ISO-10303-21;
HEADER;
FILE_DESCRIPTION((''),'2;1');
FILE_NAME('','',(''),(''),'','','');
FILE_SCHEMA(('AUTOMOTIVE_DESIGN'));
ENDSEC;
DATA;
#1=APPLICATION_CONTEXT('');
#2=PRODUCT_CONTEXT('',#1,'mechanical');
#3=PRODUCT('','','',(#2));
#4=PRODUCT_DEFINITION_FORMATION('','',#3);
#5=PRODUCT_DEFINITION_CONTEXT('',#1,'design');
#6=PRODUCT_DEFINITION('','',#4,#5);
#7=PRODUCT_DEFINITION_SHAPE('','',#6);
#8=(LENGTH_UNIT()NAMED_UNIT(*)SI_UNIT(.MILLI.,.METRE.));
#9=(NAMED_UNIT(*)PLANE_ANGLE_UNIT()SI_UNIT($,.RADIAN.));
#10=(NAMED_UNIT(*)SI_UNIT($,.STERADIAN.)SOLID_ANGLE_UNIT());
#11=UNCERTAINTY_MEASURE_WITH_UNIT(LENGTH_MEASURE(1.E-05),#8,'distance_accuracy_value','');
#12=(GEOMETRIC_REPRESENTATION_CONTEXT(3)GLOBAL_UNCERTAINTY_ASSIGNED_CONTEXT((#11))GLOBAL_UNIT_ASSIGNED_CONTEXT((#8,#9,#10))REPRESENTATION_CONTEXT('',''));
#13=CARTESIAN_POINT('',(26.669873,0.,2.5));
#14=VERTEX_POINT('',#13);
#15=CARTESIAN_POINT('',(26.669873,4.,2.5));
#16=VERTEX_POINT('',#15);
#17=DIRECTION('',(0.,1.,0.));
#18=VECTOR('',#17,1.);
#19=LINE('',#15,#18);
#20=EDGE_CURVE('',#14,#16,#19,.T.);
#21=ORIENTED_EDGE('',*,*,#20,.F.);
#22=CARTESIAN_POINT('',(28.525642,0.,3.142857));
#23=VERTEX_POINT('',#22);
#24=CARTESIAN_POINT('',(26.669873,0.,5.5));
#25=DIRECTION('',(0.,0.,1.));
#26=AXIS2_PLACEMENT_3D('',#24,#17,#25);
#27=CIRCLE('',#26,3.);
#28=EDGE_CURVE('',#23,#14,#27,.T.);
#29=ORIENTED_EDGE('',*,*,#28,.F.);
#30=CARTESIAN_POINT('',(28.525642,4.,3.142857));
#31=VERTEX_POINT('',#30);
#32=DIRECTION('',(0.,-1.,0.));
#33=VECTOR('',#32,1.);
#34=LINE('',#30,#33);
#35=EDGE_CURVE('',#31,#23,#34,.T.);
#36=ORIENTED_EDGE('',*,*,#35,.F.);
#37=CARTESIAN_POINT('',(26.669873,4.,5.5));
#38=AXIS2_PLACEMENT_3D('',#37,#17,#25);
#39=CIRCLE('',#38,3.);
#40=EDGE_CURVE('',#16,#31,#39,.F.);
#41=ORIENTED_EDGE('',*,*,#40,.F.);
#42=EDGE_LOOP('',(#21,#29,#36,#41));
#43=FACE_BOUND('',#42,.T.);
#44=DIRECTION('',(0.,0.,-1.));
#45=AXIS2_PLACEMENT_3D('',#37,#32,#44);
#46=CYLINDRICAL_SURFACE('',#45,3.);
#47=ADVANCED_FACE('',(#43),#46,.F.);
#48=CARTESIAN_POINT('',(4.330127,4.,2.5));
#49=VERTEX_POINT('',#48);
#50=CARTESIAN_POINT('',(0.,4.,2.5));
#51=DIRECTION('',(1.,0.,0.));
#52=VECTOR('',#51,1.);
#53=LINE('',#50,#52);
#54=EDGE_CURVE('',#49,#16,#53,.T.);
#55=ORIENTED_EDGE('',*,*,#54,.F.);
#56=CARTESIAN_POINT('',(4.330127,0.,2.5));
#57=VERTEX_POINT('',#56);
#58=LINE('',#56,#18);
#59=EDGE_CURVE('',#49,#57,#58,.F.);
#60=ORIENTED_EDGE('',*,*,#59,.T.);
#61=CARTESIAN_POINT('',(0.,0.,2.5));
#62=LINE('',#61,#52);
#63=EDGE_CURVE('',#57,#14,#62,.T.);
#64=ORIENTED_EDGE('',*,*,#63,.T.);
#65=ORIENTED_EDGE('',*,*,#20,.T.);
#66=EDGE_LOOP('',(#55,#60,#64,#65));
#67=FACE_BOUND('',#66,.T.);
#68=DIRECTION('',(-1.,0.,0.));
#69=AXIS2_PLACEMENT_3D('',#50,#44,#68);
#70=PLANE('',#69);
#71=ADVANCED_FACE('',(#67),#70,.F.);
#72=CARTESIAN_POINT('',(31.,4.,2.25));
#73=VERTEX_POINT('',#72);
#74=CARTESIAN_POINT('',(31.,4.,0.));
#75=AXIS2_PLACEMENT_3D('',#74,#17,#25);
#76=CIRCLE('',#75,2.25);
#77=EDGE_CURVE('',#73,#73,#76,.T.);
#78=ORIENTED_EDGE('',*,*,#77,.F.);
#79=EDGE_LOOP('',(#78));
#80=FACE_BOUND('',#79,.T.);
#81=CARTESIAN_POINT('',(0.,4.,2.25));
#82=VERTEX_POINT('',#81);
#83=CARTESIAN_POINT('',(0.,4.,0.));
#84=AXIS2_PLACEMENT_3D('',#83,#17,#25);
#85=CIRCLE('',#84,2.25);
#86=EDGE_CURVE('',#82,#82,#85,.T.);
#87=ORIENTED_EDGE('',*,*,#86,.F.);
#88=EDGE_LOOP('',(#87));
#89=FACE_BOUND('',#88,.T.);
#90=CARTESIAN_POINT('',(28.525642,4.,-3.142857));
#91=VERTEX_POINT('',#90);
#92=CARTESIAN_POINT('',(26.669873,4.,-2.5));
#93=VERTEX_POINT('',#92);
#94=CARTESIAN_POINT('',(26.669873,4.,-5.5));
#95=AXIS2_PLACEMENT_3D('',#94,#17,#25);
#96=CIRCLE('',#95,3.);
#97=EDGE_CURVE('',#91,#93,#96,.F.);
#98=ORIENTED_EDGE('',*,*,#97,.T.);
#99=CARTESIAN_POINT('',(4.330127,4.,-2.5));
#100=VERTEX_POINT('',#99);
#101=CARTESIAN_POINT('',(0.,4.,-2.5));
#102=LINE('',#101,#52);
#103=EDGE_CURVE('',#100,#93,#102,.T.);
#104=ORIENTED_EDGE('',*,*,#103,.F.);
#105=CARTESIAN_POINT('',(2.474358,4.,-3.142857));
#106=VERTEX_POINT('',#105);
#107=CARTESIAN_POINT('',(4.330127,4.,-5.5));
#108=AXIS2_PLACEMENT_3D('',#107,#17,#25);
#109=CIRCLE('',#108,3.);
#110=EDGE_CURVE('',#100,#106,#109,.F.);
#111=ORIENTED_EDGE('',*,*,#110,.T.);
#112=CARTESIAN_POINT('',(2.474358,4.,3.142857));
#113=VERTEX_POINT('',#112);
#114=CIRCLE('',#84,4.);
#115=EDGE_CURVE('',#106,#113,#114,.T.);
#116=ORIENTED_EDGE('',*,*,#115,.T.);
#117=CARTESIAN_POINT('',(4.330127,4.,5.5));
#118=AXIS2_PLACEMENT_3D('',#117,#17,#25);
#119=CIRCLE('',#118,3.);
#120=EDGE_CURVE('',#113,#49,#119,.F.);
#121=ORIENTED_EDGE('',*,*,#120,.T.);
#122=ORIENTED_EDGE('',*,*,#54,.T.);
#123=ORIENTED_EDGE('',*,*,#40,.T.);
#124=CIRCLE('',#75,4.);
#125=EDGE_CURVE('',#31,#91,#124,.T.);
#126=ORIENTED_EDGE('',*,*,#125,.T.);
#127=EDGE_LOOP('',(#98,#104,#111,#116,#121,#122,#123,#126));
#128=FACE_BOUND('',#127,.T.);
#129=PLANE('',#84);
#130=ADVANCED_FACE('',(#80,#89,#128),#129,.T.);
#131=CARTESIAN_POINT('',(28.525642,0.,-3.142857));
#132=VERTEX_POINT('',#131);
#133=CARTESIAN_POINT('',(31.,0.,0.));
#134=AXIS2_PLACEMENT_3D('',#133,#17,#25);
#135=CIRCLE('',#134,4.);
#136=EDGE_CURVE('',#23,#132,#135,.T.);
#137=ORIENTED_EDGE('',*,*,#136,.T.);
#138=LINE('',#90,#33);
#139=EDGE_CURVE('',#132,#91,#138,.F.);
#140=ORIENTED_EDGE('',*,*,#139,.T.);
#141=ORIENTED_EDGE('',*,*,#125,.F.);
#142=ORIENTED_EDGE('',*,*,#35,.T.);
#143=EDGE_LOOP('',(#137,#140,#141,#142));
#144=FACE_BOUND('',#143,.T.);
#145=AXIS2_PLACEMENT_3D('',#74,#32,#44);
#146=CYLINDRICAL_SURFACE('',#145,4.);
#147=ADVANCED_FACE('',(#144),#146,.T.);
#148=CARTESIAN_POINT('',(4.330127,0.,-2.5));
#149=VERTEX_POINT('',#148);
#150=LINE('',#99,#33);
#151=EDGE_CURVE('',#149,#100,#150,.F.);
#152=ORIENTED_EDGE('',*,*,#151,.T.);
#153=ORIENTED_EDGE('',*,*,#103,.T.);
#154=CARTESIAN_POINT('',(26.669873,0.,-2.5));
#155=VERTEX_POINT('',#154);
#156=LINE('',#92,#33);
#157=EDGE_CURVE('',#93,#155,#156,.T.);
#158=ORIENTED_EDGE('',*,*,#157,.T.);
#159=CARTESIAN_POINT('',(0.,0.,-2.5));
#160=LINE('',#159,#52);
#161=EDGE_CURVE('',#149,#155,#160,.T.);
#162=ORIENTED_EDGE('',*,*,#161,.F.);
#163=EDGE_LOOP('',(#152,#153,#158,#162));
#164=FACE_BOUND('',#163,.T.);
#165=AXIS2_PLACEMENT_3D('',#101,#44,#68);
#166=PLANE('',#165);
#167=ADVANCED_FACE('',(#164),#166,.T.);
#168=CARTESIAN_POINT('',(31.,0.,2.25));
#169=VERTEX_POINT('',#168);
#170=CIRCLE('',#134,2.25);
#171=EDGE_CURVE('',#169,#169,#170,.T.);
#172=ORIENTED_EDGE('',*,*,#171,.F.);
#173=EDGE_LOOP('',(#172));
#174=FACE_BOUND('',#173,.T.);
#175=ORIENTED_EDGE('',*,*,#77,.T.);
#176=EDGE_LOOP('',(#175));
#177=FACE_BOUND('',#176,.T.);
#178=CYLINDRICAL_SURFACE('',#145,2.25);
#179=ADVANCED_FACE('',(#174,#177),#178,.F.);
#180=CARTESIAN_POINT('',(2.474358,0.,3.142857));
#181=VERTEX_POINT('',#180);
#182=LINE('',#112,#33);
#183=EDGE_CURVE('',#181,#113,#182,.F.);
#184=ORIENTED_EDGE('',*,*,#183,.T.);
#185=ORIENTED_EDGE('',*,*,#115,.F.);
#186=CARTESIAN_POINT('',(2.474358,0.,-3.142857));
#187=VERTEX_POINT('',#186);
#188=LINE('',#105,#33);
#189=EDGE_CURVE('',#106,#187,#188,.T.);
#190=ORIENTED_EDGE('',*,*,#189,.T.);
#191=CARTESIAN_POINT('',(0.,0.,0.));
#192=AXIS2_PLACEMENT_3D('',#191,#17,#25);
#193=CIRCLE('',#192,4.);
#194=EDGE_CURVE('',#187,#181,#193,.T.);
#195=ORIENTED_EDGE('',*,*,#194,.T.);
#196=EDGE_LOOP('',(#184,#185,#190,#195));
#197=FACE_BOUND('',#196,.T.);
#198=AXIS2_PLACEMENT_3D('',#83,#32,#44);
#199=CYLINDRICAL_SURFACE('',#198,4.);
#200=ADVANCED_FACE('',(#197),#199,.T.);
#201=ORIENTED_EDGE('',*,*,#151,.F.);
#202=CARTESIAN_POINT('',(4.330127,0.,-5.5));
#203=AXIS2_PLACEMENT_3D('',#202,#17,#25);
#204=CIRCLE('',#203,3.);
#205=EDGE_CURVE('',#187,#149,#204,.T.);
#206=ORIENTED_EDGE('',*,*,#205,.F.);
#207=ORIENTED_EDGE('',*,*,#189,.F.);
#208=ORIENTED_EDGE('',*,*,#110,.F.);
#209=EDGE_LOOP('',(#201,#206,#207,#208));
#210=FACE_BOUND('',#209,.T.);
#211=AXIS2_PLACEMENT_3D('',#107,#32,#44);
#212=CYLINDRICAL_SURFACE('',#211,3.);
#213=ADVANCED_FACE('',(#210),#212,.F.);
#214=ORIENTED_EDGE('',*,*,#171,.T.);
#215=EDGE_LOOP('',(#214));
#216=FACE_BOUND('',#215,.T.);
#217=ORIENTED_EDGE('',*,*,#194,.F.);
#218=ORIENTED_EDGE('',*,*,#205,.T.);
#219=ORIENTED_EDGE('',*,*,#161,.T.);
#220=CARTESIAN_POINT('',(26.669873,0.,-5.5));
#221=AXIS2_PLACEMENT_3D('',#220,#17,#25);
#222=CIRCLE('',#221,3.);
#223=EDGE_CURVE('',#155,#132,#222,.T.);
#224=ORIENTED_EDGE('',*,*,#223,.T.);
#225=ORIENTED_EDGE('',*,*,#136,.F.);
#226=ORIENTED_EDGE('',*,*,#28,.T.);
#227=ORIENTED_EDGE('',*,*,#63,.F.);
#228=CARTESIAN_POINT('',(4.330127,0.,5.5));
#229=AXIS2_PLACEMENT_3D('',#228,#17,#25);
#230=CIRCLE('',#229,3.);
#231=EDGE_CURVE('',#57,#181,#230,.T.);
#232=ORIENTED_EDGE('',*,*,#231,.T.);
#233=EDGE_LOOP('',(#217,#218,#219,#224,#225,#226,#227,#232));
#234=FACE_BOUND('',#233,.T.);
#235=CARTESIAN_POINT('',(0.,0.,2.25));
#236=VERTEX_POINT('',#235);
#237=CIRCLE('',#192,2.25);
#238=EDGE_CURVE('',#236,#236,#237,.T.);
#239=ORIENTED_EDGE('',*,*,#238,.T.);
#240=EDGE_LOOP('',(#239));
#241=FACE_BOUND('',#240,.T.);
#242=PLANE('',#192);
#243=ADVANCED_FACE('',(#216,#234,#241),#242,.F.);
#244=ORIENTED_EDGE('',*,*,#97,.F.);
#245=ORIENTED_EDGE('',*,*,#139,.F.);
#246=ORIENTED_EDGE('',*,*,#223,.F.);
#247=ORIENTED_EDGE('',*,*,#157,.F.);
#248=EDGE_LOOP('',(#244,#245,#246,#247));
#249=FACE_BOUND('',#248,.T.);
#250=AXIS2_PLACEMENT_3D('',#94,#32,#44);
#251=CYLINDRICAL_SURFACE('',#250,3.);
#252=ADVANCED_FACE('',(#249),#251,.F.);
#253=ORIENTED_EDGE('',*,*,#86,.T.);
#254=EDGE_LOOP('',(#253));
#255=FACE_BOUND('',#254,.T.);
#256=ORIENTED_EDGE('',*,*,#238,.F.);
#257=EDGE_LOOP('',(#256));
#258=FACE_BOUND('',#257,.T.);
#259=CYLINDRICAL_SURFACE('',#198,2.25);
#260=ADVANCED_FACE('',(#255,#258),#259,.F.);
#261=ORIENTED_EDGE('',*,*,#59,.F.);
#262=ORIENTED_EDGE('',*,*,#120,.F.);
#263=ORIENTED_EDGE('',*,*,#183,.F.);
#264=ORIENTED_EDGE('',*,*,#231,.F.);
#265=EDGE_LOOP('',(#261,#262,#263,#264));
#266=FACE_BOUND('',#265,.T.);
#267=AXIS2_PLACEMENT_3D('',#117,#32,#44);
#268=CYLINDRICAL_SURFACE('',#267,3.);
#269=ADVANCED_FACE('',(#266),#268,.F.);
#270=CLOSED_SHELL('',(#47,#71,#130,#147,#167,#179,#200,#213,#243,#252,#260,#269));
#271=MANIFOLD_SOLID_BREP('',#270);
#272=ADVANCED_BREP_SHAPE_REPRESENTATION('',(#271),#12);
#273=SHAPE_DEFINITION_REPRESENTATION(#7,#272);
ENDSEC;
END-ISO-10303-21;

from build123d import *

# Parameters (mm, degrees)
SKETCH1_R           = 2.25
BOSS_EXTRUDE1_DEPTH = 4
FILLET1_R           = 3


with BuildPart() as part:
    # Sketch1 → Boss-Extrude1 (new body)
    with BuildSketch(Plane(origin=(0, 0, 0), x_dir=(1, 0, 0), z_dir=(0, 1, 0))):
        with BuildLine():
            Line((27.877501001, 2.5), (3.122498999, 2.5))
            ThreePointArc((3.122498999, 2.5), (-4, 0), (3.122498999, -2.5))
            Line((3.122498999, -2.5), (27.877501001, -2.5))
            ThreePointArc((27.877501001, -2.5), (35, 0), (27.877501001, 2.5))
        make_face()
        Circle(SKETCH1_R, mode=Mode.SUBTRACT)
        with Locations((31, 0)):
            Circle(SKETCH1_R, mode=Mode.SUBTRACT)
    extrude(amount=BOSS_EXTRUDE1_DEPTH)

    # Fillet1
    fillet1_edges = [part.edges().sort_by_distance(p)[0] for p in [
        (27.877501001, 2, 2.5),
        (3.122498999, 2, 2.5),
        (3.122498999, 2, -2.5),
        (27.877501001, 2, -2.5),
    ]]
    fillet(fillet1_edges, radius=FILLET1_R)


solid = part.part
